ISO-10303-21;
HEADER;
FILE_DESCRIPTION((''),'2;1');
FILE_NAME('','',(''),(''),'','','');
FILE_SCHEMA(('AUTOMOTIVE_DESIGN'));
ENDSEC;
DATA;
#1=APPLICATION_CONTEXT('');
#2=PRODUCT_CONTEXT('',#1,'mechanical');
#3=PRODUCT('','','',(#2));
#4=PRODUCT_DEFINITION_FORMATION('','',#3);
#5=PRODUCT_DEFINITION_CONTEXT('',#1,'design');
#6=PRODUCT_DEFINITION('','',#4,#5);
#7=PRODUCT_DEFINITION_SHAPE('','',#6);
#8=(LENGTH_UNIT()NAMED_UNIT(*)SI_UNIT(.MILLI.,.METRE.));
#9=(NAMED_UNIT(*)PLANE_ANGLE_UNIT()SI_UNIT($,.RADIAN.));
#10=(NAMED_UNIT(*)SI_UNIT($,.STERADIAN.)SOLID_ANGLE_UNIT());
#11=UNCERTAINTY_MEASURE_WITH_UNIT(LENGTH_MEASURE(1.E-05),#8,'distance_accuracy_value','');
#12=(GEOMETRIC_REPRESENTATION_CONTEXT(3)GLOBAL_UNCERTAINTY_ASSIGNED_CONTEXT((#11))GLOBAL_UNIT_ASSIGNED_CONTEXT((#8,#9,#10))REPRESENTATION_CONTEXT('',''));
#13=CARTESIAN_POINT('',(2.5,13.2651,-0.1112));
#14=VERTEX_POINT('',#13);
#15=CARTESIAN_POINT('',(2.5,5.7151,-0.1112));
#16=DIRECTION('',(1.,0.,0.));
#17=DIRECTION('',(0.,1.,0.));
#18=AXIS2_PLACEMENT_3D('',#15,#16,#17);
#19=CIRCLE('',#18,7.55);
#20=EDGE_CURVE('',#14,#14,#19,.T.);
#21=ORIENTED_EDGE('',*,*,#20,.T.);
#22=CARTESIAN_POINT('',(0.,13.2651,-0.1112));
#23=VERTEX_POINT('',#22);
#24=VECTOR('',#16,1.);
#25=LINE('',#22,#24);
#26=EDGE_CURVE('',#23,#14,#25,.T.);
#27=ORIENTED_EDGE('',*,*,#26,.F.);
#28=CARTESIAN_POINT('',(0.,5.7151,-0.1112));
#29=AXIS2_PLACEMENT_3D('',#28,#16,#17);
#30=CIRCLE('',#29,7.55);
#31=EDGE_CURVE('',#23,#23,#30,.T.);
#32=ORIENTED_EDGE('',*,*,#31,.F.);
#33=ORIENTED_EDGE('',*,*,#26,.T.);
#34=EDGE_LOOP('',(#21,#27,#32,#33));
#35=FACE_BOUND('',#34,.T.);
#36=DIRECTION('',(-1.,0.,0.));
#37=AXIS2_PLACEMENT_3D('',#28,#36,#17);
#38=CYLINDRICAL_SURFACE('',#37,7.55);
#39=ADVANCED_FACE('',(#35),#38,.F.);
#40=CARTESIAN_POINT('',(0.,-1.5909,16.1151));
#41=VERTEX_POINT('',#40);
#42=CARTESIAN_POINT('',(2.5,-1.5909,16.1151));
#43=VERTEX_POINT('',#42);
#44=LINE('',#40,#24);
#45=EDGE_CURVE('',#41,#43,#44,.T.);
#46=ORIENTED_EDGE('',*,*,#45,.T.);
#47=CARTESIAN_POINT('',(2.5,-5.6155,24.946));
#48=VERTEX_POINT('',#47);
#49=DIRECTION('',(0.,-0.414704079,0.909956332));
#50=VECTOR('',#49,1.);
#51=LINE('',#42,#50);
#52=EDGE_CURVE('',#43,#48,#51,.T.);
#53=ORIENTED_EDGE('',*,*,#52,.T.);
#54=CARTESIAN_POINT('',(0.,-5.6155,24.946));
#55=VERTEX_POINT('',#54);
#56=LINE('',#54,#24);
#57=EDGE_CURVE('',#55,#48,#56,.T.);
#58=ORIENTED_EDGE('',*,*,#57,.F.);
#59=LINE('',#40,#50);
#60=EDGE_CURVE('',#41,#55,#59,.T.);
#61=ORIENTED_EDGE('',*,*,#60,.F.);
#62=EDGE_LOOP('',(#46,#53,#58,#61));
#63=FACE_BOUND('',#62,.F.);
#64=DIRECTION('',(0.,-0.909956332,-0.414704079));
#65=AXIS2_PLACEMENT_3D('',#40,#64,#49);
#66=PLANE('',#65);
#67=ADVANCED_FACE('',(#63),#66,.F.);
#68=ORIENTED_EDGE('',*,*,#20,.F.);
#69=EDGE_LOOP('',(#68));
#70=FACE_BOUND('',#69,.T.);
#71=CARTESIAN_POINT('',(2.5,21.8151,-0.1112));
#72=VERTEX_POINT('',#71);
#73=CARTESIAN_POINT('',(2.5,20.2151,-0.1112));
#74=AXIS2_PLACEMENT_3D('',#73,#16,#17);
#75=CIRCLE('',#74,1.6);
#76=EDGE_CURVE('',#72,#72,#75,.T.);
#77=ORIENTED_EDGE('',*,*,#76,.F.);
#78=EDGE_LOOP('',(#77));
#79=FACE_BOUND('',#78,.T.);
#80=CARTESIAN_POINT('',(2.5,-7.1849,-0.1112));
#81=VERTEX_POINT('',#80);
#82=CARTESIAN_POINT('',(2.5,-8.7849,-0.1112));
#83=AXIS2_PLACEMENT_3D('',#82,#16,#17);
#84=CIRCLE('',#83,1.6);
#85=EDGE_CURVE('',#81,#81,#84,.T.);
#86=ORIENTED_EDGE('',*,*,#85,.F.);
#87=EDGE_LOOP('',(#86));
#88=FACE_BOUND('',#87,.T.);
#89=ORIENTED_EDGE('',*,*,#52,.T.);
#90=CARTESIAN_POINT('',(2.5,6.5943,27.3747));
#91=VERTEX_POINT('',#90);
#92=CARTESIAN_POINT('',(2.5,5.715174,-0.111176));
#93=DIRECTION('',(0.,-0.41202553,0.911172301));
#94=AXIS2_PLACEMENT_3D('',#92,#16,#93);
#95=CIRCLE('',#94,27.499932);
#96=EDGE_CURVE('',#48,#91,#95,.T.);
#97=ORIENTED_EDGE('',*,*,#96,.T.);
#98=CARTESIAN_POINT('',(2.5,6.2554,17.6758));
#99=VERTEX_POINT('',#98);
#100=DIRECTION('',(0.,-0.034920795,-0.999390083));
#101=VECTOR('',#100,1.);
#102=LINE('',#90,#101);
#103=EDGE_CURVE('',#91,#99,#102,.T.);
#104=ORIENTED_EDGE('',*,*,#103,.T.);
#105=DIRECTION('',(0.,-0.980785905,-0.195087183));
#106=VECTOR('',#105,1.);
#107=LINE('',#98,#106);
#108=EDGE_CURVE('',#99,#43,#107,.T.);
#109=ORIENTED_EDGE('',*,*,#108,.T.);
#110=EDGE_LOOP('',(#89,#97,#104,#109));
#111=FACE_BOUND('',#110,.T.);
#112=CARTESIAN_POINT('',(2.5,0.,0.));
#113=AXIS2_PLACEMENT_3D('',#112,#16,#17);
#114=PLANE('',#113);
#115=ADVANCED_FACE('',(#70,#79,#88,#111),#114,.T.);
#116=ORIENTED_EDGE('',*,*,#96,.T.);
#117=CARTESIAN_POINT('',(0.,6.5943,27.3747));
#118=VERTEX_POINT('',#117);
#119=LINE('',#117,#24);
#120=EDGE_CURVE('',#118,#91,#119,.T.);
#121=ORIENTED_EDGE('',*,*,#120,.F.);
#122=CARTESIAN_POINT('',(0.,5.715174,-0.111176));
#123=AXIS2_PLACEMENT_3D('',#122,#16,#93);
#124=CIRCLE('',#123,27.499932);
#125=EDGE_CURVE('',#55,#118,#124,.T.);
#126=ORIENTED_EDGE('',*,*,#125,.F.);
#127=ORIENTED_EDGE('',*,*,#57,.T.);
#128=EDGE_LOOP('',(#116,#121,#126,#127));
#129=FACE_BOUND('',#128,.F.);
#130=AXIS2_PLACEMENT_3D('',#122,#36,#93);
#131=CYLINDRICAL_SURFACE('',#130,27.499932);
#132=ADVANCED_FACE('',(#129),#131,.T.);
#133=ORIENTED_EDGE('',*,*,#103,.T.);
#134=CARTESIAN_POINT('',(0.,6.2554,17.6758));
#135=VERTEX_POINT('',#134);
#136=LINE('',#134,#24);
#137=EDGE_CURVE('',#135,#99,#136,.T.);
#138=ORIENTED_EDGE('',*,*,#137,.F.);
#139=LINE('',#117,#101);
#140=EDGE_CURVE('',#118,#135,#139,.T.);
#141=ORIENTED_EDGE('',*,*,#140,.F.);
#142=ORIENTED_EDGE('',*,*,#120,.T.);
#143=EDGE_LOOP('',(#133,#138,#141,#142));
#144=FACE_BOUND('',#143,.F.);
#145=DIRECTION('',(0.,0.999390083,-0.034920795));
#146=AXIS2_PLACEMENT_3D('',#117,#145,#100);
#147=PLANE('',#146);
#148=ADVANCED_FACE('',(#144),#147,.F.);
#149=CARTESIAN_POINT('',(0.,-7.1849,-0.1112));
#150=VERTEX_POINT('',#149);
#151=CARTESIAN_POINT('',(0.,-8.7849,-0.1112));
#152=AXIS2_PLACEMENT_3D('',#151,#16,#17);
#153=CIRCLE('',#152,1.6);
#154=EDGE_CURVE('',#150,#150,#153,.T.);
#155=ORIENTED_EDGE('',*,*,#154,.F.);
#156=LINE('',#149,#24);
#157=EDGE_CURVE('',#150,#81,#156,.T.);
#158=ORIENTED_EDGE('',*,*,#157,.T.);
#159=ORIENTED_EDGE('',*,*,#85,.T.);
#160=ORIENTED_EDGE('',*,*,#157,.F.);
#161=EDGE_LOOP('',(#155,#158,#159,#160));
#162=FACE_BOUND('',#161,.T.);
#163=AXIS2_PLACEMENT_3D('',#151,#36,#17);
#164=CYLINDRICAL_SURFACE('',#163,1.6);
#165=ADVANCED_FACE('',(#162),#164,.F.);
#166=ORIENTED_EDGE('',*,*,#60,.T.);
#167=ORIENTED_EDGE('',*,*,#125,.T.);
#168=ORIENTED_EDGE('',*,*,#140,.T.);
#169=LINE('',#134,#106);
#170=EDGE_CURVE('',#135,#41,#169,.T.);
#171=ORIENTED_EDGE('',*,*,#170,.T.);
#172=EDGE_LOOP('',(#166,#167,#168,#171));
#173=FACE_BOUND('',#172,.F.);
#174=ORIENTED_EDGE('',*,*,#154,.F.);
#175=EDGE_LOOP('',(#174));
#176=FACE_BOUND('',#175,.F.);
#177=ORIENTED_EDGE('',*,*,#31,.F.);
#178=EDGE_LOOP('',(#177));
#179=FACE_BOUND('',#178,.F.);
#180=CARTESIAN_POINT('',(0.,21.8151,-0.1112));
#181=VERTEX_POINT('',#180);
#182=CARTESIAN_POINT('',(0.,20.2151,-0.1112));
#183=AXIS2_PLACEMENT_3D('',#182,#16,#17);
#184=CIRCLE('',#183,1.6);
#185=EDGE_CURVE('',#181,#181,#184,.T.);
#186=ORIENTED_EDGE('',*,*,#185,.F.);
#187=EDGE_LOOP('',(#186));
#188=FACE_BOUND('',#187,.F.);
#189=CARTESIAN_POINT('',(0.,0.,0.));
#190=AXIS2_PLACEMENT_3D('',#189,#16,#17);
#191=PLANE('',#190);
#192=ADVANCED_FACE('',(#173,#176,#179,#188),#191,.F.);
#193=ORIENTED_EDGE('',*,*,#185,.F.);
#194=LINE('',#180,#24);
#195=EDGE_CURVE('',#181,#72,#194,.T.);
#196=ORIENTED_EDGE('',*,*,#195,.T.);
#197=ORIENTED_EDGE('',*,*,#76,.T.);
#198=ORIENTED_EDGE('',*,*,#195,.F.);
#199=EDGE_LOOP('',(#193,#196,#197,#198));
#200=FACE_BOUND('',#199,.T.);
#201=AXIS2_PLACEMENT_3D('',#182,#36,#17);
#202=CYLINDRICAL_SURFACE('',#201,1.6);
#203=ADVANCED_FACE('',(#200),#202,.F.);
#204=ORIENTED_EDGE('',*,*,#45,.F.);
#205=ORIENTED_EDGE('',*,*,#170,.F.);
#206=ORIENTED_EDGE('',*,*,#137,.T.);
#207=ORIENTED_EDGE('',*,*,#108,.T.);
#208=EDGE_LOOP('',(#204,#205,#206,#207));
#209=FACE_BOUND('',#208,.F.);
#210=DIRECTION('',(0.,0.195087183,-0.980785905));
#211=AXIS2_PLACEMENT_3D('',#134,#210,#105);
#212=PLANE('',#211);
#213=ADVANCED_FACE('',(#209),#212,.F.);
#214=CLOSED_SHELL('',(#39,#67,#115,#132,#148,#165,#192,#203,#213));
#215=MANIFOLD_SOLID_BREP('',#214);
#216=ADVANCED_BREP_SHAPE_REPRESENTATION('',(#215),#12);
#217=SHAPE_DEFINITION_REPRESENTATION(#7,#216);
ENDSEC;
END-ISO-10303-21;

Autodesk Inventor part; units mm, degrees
ref_plane "YZ Plane" through (0, 0, 0) normal (1, 0, 0) x (0, 1, 0)
ref_plane "XZ Plane" through (0, 0, 0) normal (0, 1, 0) x (-1, 0, 0)
ref_plane "XY Plane" through (0, 0, 0) normal (0, 0, 1) x (1, 0, 0)
sketch "スケッチ1" plane through (0, 0, 0) normal (1, 0, 0) x (0, 1, 0)
  line L0 (6.5943, 27.3747) -> (6.2554, 17.6758)
  line L1 (6.2554, 17.6758) -> (-1.5909, 16.1151)
  line L2 (-1.5909, 16.1151) -> (-5.6155, 24.946)
  arc A0 (-5.6155, 24.946) -> (6.5943, 27.3747) centre (5.7151, -0.1112) ccw
  circle A1 centre (5.7151, -0.1112) radius 7.55
  circle A2 centre (-8.7849, -0.1112) radius 1.6
  circle A3 centre (20.2151, -0.1112) radius 1.6
  point P0 (0, 0)
extrude "押し出し1" add sketch "スケッチ1" along normal blind 2.5
properties part number "belt_liner_v3_3DP_P-1-F" material "ABS プラスチック"
